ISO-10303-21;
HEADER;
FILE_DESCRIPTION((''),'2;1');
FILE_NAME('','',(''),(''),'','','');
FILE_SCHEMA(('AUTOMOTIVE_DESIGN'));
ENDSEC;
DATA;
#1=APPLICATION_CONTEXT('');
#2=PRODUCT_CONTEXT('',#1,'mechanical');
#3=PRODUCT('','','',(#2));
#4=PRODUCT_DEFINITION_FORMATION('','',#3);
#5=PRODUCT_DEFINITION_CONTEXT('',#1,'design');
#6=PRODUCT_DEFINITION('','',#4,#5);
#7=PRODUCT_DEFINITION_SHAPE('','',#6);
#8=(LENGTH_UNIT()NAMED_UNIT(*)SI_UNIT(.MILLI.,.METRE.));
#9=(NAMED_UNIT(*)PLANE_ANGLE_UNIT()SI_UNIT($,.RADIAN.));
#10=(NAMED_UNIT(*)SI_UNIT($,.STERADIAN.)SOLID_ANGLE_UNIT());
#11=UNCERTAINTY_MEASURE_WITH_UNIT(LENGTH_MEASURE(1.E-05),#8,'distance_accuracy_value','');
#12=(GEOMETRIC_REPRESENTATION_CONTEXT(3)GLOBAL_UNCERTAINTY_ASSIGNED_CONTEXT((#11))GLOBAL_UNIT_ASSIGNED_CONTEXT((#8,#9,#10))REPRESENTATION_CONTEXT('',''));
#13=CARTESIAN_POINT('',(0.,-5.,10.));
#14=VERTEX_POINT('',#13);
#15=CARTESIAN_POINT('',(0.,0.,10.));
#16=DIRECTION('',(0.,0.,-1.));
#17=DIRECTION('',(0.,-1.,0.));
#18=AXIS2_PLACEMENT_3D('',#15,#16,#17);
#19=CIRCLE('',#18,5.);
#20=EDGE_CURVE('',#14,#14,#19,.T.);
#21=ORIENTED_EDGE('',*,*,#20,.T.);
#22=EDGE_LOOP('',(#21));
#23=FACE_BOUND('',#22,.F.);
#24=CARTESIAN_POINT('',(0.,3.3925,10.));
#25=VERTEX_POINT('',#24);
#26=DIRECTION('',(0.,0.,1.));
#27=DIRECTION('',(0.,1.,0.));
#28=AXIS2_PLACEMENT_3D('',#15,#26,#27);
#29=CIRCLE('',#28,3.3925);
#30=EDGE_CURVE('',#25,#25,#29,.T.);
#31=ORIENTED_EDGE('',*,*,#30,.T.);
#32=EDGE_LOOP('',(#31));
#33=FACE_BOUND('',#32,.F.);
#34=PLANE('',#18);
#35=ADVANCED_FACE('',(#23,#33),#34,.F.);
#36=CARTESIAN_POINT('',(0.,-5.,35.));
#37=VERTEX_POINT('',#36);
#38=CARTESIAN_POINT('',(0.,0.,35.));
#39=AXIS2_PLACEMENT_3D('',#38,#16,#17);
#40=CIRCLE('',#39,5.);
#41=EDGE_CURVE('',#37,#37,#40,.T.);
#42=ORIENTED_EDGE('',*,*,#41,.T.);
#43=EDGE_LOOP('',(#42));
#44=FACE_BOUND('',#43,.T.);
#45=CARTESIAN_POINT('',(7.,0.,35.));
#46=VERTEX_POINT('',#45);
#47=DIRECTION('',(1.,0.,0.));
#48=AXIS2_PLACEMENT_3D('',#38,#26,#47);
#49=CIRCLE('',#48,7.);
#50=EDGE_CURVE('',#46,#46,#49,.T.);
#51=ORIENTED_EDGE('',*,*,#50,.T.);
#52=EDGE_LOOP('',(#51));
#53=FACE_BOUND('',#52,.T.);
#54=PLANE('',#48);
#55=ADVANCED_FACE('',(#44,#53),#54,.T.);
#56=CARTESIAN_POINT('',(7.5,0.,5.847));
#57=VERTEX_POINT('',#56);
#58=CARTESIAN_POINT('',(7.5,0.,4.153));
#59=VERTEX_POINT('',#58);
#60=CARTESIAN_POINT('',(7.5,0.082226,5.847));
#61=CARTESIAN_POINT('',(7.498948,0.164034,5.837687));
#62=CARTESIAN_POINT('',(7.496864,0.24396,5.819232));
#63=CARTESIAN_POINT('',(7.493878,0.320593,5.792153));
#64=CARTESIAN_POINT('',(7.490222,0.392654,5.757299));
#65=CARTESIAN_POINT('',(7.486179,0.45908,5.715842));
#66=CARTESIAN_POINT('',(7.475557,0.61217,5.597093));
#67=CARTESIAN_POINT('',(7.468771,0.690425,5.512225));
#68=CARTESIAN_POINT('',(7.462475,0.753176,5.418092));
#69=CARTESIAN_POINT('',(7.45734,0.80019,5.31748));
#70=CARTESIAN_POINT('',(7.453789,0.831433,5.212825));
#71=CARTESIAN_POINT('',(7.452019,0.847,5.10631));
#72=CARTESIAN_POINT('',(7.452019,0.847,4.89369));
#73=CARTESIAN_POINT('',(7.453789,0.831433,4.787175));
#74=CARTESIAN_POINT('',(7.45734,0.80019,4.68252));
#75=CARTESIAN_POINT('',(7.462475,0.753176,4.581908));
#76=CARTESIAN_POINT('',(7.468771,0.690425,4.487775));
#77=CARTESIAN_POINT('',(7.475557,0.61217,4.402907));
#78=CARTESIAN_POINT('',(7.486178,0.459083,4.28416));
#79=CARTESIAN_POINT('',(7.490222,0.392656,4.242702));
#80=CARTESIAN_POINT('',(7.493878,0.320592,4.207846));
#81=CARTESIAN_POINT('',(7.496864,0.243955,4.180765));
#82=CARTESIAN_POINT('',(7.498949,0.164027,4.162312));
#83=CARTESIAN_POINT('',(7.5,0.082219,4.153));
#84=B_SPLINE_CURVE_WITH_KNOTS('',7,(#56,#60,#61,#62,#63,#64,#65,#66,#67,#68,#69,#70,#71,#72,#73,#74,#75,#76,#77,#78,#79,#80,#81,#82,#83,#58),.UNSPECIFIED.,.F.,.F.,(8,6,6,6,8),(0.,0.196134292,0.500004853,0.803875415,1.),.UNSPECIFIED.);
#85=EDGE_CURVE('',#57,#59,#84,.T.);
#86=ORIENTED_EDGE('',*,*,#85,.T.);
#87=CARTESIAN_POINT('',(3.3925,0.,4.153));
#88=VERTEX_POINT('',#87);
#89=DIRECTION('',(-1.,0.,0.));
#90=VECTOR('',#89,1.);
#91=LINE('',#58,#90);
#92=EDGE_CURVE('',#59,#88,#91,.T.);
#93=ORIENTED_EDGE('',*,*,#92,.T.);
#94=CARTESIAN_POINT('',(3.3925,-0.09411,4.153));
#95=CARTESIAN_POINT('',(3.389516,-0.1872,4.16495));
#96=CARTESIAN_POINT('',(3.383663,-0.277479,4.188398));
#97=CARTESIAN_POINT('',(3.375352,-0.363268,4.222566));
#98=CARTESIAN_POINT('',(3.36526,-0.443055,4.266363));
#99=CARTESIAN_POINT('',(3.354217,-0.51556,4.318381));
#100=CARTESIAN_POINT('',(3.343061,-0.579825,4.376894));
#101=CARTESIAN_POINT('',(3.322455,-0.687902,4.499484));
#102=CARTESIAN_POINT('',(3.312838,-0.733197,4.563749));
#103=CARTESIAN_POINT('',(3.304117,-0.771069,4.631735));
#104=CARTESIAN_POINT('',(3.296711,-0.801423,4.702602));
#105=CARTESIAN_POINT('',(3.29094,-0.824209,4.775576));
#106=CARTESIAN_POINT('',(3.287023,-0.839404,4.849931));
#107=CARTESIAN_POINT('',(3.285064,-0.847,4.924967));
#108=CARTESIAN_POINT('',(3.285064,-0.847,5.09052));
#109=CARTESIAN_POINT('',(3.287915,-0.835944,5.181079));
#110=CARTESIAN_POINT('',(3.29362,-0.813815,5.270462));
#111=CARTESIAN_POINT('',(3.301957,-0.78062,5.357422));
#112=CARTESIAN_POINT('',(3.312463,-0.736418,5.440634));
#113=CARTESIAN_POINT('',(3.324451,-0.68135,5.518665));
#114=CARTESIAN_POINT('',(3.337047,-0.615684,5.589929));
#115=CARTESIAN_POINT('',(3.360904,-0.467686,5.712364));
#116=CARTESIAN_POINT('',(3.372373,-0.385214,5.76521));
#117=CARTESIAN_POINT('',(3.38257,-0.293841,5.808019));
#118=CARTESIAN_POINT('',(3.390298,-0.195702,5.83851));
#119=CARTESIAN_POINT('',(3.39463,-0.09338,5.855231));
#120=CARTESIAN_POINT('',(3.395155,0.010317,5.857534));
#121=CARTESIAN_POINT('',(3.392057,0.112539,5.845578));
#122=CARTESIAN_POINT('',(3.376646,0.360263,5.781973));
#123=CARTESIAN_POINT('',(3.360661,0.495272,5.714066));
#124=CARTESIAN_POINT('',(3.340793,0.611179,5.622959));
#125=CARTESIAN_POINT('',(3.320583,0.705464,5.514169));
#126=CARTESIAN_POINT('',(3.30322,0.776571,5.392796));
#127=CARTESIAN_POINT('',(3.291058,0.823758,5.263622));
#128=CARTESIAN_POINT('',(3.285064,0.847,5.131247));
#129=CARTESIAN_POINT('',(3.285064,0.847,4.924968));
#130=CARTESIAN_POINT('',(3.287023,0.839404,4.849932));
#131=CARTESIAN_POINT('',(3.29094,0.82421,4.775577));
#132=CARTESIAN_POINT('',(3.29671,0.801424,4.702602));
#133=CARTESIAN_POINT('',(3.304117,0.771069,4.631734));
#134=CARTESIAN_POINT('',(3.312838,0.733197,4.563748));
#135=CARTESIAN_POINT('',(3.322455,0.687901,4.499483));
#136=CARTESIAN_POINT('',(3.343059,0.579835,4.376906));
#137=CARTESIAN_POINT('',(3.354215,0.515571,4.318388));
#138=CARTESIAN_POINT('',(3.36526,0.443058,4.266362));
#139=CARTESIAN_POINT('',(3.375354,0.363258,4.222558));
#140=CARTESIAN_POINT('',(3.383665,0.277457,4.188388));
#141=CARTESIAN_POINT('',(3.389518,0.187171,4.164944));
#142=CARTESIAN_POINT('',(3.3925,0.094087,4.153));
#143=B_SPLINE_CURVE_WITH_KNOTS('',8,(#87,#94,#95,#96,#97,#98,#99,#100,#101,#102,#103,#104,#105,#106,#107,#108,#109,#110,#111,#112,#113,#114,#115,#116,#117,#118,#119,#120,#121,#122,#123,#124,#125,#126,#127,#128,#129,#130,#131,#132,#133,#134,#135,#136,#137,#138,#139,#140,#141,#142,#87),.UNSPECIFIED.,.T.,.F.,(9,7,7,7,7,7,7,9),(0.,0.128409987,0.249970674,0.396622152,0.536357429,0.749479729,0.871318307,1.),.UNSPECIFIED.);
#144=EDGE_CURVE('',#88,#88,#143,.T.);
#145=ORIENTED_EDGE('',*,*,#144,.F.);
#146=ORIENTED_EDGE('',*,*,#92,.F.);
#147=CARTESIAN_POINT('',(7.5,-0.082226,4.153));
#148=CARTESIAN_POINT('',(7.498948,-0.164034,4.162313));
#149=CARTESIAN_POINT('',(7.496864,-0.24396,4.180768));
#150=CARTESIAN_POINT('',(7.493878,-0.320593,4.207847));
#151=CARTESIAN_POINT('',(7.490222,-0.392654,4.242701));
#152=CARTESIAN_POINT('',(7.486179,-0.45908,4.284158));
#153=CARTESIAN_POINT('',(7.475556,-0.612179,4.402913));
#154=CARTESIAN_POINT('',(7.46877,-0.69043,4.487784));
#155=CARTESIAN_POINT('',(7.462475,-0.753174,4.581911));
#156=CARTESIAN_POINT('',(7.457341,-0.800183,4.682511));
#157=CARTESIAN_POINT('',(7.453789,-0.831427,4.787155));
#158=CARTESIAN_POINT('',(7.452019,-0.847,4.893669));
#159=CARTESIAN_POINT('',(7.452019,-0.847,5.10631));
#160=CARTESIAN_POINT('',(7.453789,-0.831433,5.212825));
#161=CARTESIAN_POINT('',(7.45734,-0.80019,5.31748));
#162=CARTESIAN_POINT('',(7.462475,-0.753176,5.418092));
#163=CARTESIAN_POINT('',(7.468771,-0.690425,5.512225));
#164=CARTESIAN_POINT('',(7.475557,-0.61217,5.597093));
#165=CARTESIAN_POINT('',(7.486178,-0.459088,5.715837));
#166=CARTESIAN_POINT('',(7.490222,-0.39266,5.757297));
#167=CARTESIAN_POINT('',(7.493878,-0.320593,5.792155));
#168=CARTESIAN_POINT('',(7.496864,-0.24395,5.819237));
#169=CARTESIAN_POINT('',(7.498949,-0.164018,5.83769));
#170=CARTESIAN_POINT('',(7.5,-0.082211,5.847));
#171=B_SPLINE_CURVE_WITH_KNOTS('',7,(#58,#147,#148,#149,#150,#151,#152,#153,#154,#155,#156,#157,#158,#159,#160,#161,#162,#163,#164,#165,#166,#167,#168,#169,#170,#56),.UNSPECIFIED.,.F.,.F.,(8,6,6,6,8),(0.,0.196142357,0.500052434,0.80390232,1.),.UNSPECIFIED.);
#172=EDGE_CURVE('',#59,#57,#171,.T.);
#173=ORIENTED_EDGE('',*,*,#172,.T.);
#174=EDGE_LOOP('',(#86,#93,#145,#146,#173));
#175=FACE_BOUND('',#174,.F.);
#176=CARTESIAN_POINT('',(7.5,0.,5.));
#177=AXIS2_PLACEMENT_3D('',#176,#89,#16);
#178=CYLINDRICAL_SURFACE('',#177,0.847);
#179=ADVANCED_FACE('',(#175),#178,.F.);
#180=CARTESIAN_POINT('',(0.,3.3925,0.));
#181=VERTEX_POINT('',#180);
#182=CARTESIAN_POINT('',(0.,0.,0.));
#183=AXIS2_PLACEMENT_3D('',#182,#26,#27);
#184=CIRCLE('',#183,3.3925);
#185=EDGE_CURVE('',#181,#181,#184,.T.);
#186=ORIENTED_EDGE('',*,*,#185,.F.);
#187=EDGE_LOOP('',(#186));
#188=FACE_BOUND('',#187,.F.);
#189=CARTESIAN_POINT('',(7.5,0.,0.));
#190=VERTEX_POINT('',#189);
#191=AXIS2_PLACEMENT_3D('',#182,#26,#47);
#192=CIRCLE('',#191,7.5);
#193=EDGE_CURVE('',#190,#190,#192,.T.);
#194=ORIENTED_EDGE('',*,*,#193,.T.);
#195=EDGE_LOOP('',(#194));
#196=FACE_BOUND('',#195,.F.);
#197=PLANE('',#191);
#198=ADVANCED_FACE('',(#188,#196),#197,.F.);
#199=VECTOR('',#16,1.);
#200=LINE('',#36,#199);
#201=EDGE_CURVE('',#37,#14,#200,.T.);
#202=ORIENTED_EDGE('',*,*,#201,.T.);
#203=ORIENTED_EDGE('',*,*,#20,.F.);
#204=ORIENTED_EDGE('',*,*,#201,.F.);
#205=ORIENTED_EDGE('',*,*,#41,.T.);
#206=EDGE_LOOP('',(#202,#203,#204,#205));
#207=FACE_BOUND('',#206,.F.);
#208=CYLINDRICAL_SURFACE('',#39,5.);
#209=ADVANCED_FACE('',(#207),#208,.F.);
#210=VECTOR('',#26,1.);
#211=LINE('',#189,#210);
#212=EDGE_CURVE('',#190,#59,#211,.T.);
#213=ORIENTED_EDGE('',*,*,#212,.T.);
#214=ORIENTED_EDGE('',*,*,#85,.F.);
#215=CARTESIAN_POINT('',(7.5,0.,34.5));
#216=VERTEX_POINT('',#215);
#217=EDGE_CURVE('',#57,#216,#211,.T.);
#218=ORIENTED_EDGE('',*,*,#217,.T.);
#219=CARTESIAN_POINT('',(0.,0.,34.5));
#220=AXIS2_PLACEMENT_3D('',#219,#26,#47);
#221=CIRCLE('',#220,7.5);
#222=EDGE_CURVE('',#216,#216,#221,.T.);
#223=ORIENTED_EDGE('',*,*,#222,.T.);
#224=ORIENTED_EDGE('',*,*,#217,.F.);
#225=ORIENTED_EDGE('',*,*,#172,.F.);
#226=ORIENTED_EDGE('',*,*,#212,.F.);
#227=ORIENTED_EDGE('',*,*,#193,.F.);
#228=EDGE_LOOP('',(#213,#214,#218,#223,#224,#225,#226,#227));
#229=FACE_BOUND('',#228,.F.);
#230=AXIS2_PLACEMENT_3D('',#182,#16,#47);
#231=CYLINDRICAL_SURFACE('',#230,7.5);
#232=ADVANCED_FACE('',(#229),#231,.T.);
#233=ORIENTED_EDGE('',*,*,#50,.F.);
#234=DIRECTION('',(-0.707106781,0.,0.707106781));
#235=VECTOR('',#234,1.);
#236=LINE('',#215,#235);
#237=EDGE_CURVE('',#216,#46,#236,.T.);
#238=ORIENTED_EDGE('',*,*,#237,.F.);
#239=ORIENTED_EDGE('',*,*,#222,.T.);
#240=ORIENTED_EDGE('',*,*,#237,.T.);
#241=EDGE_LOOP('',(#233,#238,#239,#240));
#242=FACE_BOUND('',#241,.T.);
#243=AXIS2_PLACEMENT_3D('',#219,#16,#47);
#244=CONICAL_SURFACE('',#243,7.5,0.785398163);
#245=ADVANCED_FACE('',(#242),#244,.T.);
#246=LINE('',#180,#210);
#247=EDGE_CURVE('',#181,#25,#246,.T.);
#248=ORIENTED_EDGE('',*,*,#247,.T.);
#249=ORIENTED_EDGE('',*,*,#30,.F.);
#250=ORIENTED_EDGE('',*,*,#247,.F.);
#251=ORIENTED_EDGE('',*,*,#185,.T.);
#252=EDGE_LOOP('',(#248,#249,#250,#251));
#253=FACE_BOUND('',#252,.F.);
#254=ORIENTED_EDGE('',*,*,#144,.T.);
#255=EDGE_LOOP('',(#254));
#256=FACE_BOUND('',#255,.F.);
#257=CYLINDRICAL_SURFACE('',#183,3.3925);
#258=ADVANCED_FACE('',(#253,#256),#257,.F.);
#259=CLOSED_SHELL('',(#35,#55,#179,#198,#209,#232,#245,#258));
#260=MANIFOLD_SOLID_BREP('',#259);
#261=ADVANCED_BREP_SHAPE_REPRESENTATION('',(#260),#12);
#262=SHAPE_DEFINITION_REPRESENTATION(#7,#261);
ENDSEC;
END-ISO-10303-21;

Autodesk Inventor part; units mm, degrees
ref_plane "XZ Plane" through (0, 0, 0) normal (0, 1, 0) x (-1, 0, 0)
ref_plane "XY Plane" through (0, 0, 0) normal (0, 0, 1) x (1, 0, 0)
sketch "Sketch1" plane through (0, 0, 0) normal (0, 0, 1) x (1, 0, 0)
  circle A0 centre (0, 0) radius 7.5
  dimension "d0" = 15
extrude "Extrusion1" add sketch "Sketch1" along normal blind 35
hole "Hole1" at (0, 0, 0) direction (0, 0, 1) diameter 6.785 end through all
hole "Hole2" at (0, 0, 35) direction (0, 0, -1) diameter 10 depth 25
chamfer "Chamfer1" distance 0.5 angle 45 1 edges at (-7.5, 0, 35)
ref_plane "Work Plane1" through (7.5, 0, 0) normal (1, 0, 0) x (0, 1, 0)
sketch "Sketch2" plane through (7.5, 0, 0) normal (1, 0, 0) x (0, 1, 0)
  line L0 (-7.5, 0) -> (-7.5, 34.5) projected
  line L1 (-3.3925, 10) -> (-3.3925, 0) projected
  line L2 (3.3925, 10) -> (3.3925, 0) projected
  line L3 (-7.5, 0) -> (7.5, 0) projected
  line L4 (5, 10) -> (-5, 10) projected
  line L5 (0, -7) -> (0, 42) projected
  point P0 (0, 0)
  point P1 (0, 5)
  dimension "d24" = 5
  dimension "d25" = 5
hole "Hole3" at (7.5, 0, 5) direction (-1, 0, 0) diameter 1.694 depth 7.5 thread size "2-56 UNC" class "2B" standard "ANSI Unified Screw Threads"
properties part number "Screw_Asm_Jig_Upper"
